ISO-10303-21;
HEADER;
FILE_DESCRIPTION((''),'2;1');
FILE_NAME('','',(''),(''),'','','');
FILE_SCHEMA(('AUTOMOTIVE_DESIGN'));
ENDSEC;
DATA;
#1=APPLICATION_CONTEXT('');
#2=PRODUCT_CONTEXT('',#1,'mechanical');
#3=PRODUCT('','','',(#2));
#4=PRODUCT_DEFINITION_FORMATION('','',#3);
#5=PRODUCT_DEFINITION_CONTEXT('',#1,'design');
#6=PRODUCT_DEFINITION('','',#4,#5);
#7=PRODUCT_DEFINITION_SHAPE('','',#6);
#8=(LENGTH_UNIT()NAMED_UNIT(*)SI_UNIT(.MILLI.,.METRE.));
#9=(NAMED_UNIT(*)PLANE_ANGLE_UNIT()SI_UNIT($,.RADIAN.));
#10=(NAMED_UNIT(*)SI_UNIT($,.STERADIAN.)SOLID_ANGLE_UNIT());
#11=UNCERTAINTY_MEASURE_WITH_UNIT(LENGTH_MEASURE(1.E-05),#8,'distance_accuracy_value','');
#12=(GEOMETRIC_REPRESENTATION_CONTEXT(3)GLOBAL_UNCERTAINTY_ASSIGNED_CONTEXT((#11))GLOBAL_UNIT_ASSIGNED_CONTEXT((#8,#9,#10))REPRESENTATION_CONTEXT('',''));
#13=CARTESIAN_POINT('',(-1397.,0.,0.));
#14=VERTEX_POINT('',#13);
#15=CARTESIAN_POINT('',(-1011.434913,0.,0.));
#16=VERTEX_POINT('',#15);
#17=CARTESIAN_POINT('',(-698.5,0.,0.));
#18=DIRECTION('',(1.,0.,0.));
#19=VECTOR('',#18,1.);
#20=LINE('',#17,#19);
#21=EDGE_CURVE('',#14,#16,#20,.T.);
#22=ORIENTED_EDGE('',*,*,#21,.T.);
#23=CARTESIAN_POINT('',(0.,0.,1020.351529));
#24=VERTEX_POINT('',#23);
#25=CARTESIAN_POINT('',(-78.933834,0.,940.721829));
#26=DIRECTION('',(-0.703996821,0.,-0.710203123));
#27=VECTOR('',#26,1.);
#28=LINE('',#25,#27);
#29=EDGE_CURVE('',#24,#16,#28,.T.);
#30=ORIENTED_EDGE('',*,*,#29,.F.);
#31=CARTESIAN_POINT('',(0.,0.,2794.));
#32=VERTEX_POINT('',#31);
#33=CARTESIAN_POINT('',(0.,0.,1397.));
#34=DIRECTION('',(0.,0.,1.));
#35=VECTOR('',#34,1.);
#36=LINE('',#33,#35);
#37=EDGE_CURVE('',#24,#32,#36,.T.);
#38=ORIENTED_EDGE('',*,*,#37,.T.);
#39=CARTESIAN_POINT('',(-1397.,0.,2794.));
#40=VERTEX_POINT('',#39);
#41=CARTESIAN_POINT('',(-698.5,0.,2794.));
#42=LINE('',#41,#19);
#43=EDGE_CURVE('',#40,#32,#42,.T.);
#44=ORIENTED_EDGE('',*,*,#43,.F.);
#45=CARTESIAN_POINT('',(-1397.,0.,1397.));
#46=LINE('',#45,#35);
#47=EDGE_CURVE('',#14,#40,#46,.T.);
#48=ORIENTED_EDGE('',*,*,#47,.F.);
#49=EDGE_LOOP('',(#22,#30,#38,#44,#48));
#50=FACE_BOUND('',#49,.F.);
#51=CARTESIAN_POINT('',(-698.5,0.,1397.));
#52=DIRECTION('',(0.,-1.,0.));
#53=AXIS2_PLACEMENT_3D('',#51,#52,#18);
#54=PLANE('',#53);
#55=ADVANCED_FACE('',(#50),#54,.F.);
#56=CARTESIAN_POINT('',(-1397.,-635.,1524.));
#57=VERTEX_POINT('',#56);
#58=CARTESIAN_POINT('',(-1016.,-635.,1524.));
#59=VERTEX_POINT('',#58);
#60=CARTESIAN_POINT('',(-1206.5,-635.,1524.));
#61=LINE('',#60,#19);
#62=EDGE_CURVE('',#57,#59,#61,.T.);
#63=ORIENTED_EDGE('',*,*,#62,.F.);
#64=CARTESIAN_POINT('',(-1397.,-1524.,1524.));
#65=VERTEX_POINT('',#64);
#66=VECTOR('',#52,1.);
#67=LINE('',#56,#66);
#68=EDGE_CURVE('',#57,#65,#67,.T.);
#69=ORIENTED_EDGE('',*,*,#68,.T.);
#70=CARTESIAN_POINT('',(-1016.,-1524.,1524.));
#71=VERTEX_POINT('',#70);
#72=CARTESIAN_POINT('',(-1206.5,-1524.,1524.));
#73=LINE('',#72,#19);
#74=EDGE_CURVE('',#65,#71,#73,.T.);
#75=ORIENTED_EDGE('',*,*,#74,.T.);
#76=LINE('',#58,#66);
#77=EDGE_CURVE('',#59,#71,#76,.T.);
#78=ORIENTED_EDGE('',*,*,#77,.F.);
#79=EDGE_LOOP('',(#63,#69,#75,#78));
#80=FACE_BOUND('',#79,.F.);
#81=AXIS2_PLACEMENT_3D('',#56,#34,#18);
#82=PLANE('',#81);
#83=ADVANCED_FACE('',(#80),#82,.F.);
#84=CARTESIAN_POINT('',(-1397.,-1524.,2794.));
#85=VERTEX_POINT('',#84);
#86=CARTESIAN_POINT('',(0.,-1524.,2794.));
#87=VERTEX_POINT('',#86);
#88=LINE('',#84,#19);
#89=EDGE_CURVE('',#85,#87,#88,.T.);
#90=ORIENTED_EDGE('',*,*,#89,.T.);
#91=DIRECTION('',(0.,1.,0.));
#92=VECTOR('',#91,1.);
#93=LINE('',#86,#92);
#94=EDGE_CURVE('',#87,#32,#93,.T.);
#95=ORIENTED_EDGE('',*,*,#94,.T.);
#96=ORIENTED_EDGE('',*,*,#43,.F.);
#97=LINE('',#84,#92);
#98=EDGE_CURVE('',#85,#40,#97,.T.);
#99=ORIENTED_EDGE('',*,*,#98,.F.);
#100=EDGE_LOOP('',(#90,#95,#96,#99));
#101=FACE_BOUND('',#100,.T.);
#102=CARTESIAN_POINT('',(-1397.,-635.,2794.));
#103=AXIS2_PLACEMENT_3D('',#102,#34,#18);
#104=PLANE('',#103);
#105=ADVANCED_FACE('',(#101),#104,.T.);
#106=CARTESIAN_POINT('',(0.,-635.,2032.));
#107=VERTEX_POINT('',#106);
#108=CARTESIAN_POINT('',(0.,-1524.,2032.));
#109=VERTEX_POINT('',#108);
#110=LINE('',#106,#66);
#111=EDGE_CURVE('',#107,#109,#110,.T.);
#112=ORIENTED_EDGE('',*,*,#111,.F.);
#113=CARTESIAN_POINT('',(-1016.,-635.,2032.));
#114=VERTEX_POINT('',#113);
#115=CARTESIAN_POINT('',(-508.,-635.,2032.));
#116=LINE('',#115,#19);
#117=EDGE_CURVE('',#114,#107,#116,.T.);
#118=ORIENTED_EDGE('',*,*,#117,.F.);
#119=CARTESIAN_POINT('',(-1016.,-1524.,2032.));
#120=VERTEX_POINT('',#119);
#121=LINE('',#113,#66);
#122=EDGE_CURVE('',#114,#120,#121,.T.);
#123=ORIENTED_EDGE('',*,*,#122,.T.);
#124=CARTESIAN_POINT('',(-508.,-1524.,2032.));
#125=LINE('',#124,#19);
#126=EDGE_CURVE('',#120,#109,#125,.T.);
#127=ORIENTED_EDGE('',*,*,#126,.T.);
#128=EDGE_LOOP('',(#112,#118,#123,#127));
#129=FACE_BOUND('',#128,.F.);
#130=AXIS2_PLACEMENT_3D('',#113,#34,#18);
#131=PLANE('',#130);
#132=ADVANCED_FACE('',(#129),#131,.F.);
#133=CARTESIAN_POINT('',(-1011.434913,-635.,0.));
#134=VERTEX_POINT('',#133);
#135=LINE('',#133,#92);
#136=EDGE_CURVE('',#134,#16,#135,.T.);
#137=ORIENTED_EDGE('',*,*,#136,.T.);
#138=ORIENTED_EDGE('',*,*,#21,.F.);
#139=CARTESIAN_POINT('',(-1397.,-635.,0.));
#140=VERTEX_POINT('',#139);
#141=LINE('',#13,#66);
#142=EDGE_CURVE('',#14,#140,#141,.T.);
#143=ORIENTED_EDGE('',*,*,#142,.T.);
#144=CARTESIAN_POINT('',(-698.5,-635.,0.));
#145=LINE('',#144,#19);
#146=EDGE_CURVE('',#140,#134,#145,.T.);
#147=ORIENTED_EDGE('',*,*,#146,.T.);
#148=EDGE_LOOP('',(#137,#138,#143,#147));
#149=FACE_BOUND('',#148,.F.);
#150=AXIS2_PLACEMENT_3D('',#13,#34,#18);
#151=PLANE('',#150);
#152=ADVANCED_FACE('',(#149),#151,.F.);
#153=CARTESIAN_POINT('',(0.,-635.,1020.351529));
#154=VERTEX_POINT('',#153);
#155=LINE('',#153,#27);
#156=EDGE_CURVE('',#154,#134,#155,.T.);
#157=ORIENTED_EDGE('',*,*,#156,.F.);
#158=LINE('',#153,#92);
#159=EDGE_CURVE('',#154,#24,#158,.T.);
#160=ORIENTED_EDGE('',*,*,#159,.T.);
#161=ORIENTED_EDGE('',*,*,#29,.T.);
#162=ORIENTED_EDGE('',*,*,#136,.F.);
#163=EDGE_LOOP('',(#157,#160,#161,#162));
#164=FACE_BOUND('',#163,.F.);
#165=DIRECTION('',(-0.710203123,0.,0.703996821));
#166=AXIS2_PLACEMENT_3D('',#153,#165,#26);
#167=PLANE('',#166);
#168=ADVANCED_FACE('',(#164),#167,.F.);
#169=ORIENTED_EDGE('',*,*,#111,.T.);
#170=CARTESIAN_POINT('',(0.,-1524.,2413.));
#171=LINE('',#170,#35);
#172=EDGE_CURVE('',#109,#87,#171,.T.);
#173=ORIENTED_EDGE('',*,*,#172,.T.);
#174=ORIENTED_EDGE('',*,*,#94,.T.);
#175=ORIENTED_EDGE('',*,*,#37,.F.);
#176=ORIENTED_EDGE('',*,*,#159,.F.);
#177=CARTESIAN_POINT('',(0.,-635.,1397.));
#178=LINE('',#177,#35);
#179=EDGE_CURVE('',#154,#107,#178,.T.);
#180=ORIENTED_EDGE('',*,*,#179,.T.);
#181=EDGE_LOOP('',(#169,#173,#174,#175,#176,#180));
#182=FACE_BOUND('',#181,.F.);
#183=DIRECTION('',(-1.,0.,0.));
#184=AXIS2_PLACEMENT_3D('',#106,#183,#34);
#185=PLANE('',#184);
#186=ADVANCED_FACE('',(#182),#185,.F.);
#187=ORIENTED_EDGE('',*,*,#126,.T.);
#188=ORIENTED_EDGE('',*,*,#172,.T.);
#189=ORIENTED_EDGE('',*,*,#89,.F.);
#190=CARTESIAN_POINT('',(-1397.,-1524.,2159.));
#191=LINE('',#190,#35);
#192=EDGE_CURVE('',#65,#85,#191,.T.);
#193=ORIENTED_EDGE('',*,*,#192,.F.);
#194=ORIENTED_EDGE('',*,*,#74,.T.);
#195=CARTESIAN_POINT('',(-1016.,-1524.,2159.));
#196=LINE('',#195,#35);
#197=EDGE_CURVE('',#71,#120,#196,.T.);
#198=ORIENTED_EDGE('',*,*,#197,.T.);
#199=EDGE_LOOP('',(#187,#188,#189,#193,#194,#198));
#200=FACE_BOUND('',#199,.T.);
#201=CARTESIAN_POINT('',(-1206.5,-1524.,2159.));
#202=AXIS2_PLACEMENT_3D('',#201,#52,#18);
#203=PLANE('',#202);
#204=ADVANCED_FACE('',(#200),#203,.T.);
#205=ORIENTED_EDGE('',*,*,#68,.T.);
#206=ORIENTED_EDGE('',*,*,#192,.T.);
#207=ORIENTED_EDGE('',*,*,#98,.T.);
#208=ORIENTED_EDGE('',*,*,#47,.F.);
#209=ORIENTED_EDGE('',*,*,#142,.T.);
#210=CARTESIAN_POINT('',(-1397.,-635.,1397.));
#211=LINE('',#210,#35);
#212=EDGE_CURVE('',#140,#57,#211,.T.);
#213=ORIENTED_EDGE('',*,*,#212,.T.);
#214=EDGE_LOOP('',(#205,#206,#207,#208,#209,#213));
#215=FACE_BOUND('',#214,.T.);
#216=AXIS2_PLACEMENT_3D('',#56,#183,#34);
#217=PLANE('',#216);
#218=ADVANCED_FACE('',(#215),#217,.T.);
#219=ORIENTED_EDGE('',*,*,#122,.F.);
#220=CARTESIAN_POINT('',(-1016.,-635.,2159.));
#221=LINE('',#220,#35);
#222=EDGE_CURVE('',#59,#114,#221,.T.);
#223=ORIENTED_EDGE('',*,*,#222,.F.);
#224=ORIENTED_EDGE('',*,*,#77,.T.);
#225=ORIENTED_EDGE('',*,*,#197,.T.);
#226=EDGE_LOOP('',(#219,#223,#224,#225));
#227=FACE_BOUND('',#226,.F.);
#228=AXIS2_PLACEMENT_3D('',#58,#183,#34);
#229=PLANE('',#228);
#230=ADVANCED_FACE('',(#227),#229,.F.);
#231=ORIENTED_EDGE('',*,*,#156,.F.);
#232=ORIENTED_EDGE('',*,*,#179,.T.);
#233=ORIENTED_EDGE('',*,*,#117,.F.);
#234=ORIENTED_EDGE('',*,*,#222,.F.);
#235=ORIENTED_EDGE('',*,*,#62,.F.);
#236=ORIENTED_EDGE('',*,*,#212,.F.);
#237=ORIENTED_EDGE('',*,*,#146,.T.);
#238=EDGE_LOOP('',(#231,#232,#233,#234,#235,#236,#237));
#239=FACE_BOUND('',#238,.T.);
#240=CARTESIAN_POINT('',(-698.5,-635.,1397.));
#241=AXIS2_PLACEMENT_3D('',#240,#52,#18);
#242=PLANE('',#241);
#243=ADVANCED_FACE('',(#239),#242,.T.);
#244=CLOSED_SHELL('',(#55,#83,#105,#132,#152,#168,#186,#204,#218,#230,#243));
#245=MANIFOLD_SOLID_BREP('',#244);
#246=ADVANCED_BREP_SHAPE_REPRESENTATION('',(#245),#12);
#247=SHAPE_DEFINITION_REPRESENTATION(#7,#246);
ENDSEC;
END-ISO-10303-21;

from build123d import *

# Parameters (mm, degrees)
F0_W     = 1397
F0_H     = 2794
F1_DEPTH = 635
F2_W     = 1016
F2_H     = 762
F3_DEPTH = 889
F4_W     = 381
F4_H     = 1270
F5_DEPTH = 889
F8_DEPTH = 949.96


with BuildPart() as f1:
    # F0 (on Front) → F1 (new body)
    with BuildSketch(Plane.XZ):
        with Locations((-698.5, 1397)):
            Rectangle(F0_W, F0_H)
    extrude(amount=F1_DEPTH)

    # F2 (on face) → F3 (join)
    with BuildSketch(Plane.XZ.offset(635)):
        with Locations((-508, 2413)):
            Rectangle(F2_W, F2_H)
    extrude(amount=F3_DEPTH)

    # F4 (on face) → F5 (join)
    with BuildSketch(Plane.XZ.offset(635)):
        with Locations((-1206.5, 2159)):
            Rectangle(F4_W, F4_H)
    extrude(amount=F5_DEPTH)

    # F7 (on face) → F8 (cut)
    with BuildSketch(Plane.XZ.offset(635)):
        Polygon((0, 1020.3515291214), (-1011.4349126816, 0), (0, 0), align=None)
    extrude(amount=-F8_DEPTH, mode=Mode.SUBTRACT)


solid = f1.part
